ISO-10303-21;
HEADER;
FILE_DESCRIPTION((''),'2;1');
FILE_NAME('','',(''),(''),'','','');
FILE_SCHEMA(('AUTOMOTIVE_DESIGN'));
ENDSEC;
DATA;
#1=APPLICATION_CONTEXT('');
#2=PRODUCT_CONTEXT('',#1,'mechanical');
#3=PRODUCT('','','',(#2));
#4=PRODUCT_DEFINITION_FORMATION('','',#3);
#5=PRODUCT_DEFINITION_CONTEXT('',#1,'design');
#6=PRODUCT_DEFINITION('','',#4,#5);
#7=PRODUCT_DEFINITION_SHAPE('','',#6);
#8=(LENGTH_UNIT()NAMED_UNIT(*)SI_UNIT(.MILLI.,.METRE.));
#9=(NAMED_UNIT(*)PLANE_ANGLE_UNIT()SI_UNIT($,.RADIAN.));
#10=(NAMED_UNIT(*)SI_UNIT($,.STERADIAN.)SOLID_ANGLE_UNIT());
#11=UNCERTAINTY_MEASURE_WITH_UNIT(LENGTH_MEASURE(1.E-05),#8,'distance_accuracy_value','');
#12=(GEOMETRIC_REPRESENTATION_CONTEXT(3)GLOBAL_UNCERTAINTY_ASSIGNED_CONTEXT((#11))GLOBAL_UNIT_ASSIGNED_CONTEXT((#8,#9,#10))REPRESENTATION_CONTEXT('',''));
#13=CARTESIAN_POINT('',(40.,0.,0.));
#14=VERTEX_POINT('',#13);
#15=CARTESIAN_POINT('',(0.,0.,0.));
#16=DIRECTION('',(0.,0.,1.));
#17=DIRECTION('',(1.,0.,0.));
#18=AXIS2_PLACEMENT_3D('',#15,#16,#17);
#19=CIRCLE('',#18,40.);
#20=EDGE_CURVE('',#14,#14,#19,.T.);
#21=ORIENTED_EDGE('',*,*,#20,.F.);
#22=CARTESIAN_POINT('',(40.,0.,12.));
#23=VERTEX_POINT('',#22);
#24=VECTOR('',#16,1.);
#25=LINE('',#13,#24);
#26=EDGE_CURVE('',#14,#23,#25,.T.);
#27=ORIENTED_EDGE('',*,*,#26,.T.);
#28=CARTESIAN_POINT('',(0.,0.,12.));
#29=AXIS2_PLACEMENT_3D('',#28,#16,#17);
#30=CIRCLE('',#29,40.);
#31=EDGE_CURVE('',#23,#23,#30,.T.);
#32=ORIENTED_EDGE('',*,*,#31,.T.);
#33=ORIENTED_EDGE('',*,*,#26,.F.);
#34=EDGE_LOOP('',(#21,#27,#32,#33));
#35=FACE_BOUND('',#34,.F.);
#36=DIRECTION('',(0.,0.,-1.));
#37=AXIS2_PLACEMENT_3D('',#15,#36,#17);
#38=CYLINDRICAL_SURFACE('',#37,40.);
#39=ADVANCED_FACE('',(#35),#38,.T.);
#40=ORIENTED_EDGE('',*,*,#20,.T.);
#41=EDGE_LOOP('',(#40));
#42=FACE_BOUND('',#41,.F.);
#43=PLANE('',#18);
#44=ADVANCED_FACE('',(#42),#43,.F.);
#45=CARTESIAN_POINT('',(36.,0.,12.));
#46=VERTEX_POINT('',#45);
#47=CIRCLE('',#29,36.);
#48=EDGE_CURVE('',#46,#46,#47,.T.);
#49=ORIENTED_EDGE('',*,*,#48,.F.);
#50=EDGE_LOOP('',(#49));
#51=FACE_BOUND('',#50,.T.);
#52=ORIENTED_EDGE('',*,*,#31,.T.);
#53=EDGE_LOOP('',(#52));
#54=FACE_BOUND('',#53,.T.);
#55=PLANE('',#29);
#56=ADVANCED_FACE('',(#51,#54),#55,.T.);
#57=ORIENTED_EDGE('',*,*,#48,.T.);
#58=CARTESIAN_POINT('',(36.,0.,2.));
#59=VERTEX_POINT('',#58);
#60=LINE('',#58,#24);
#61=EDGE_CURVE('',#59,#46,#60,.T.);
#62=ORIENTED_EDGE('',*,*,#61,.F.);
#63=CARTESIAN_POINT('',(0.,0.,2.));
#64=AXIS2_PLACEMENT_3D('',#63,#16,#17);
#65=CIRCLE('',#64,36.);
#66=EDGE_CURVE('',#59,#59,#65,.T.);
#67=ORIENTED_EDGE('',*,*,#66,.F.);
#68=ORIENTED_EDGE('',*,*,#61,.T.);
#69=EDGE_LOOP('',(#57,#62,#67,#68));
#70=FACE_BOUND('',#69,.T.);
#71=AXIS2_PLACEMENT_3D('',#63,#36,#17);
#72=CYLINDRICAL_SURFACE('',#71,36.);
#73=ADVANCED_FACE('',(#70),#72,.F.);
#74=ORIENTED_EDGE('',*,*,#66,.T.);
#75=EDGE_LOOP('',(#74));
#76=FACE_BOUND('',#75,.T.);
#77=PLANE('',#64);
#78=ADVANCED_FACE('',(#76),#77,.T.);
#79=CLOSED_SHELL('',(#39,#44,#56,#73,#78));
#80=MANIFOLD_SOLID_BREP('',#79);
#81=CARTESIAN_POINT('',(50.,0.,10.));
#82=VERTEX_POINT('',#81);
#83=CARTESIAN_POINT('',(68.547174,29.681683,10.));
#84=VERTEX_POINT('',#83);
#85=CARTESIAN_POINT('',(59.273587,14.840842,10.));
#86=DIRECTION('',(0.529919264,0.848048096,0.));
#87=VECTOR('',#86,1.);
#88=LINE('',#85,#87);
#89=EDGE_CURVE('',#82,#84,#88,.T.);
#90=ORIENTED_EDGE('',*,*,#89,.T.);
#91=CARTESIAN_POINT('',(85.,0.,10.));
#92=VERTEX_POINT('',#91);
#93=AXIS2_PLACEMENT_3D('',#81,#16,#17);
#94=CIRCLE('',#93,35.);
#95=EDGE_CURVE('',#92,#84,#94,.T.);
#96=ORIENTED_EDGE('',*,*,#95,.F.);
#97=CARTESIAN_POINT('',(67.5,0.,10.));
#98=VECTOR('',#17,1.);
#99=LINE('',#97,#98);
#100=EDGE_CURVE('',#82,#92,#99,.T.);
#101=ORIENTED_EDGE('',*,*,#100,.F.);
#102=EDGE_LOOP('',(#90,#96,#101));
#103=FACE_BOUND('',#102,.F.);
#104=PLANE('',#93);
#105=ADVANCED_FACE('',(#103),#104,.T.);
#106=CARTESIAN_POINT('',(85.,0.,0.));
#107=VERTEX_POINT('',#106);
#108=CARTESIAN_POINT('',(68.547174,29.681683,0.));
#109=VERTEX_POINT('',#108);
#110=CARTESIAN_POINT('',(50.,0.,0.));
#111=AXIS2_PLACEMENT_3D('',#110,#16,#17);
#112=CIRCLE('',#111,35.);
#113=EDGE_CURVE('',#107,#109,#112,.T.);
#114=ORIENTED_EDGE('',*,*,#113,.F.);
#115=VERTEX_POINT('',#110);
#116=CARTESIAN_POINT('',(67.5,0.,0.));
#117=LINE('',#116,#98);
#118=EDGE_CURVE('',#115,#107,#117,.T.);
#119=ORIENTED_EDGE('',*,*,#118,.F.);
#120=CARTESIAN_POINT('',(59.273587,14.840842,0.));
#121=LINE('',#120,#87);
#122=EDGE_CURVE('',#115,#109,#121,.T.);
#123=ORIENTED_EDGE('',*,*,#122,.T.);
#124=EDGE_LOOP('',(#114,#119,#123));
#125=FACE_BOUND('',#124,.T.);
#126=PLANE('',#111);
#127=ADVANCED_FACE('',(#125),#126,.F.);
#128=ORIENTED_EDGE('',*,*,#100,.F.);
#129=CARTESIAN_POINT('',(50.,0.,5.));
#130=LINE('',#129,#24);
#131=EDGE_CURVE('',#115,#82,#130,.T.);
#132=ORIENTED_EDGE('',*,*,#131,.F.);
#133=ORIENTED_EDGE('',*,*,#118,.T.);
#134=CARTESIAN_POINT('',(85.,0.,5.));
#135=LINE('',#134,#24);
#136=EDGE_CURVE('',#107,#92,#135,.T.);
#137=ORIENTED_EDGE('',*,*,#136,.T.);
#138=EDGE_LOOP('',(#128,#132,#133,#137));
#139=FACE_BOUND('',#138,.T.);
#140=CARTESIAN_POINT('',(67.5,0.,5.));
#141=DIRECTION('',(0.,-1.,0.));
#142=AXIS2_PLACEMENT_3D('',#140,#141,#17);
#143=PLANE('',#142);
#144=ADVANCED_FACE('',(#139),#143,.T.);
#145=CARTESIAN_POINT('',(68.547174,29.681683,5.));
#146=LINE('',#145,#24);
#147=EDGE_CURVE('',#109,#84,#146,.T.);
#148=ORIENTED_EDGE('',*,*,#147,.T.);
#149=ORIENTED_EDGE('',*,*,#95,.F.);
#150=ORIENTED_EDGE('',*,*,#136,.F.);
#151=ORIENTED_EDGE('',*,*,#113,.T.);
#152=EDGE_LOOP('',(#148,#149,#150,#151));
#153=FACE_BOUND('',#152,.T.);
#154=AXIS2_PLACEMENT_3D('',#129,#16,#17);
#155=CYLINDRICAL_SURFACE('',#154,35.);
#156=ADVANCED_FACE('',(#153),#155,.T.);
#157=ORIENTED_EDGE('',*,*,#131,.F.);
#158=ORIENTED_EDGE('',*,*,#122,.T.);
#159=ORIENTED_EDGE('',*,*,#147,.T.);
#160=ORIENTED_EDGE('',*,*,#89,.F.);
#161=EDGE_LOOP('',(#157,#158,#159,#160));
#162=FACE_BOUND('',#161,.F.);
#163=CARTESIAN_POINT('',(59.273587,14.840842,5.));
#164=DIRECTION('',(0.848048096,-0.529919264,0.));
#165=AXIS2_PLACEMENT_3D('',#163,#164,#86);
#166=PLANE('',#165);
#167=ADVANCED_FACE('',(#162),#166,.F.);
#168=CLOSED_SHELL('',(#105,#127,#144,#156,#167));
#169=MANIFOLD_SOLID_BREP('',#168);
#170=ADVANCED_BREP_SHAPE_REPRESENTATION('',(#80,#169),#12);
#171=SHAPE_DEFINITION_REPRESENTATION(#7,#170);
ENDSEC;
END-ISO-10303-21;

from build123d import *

# Parameters (mm, degrees)
CYLINDER001_R     = 36
CYLINDER001_DEPTH = 10
CYLINDER_R        = 40
CYLINDER_DEPTH    = 12
CYLINDER002_W     = 35
CYLINDER002_H     = 10
CYLINDER002_ANGLE = 58


with BuildPart() as cilindro001:
    # Cylinder001 → Cylinder001 (new body)
    with BuildSketch(Plane.XY.offset(2)):
        Circle(CYLINDER001_R)
    extrude(amount=CYLINDER001_DEPTH)


with BuildPart() as cut:
    # Cylinder → Cylinder (new body)
    with BuildSketch(Plane.XY):
        Circle(CYLINDER_R)
    extrude(amount=CYLINDER_DEPTH)

    # Cut: cut Cilindro001
    add(cilindro001.part, mode=Mode.SUBTRACT)


with BuildPart() as cilindro002:
    # Cylinder002 → Cylinder002 (revolve)
    with BuildSketch(Plane(origin=(50, 0, 0), x_dir=(1, 0, 0), z_dir=(0, -1, 0))):
        with Locations((17.5, 5)):
            Rectangle(CYLINDER002_W, CYLINDER002_H)
    revolve(axis=Axis((50, 0, 0), (0, 0, 1)), revolution_arc=CYLINDER002_ANGLE)


solid = Compound([cut.part, cilindro002.part])
